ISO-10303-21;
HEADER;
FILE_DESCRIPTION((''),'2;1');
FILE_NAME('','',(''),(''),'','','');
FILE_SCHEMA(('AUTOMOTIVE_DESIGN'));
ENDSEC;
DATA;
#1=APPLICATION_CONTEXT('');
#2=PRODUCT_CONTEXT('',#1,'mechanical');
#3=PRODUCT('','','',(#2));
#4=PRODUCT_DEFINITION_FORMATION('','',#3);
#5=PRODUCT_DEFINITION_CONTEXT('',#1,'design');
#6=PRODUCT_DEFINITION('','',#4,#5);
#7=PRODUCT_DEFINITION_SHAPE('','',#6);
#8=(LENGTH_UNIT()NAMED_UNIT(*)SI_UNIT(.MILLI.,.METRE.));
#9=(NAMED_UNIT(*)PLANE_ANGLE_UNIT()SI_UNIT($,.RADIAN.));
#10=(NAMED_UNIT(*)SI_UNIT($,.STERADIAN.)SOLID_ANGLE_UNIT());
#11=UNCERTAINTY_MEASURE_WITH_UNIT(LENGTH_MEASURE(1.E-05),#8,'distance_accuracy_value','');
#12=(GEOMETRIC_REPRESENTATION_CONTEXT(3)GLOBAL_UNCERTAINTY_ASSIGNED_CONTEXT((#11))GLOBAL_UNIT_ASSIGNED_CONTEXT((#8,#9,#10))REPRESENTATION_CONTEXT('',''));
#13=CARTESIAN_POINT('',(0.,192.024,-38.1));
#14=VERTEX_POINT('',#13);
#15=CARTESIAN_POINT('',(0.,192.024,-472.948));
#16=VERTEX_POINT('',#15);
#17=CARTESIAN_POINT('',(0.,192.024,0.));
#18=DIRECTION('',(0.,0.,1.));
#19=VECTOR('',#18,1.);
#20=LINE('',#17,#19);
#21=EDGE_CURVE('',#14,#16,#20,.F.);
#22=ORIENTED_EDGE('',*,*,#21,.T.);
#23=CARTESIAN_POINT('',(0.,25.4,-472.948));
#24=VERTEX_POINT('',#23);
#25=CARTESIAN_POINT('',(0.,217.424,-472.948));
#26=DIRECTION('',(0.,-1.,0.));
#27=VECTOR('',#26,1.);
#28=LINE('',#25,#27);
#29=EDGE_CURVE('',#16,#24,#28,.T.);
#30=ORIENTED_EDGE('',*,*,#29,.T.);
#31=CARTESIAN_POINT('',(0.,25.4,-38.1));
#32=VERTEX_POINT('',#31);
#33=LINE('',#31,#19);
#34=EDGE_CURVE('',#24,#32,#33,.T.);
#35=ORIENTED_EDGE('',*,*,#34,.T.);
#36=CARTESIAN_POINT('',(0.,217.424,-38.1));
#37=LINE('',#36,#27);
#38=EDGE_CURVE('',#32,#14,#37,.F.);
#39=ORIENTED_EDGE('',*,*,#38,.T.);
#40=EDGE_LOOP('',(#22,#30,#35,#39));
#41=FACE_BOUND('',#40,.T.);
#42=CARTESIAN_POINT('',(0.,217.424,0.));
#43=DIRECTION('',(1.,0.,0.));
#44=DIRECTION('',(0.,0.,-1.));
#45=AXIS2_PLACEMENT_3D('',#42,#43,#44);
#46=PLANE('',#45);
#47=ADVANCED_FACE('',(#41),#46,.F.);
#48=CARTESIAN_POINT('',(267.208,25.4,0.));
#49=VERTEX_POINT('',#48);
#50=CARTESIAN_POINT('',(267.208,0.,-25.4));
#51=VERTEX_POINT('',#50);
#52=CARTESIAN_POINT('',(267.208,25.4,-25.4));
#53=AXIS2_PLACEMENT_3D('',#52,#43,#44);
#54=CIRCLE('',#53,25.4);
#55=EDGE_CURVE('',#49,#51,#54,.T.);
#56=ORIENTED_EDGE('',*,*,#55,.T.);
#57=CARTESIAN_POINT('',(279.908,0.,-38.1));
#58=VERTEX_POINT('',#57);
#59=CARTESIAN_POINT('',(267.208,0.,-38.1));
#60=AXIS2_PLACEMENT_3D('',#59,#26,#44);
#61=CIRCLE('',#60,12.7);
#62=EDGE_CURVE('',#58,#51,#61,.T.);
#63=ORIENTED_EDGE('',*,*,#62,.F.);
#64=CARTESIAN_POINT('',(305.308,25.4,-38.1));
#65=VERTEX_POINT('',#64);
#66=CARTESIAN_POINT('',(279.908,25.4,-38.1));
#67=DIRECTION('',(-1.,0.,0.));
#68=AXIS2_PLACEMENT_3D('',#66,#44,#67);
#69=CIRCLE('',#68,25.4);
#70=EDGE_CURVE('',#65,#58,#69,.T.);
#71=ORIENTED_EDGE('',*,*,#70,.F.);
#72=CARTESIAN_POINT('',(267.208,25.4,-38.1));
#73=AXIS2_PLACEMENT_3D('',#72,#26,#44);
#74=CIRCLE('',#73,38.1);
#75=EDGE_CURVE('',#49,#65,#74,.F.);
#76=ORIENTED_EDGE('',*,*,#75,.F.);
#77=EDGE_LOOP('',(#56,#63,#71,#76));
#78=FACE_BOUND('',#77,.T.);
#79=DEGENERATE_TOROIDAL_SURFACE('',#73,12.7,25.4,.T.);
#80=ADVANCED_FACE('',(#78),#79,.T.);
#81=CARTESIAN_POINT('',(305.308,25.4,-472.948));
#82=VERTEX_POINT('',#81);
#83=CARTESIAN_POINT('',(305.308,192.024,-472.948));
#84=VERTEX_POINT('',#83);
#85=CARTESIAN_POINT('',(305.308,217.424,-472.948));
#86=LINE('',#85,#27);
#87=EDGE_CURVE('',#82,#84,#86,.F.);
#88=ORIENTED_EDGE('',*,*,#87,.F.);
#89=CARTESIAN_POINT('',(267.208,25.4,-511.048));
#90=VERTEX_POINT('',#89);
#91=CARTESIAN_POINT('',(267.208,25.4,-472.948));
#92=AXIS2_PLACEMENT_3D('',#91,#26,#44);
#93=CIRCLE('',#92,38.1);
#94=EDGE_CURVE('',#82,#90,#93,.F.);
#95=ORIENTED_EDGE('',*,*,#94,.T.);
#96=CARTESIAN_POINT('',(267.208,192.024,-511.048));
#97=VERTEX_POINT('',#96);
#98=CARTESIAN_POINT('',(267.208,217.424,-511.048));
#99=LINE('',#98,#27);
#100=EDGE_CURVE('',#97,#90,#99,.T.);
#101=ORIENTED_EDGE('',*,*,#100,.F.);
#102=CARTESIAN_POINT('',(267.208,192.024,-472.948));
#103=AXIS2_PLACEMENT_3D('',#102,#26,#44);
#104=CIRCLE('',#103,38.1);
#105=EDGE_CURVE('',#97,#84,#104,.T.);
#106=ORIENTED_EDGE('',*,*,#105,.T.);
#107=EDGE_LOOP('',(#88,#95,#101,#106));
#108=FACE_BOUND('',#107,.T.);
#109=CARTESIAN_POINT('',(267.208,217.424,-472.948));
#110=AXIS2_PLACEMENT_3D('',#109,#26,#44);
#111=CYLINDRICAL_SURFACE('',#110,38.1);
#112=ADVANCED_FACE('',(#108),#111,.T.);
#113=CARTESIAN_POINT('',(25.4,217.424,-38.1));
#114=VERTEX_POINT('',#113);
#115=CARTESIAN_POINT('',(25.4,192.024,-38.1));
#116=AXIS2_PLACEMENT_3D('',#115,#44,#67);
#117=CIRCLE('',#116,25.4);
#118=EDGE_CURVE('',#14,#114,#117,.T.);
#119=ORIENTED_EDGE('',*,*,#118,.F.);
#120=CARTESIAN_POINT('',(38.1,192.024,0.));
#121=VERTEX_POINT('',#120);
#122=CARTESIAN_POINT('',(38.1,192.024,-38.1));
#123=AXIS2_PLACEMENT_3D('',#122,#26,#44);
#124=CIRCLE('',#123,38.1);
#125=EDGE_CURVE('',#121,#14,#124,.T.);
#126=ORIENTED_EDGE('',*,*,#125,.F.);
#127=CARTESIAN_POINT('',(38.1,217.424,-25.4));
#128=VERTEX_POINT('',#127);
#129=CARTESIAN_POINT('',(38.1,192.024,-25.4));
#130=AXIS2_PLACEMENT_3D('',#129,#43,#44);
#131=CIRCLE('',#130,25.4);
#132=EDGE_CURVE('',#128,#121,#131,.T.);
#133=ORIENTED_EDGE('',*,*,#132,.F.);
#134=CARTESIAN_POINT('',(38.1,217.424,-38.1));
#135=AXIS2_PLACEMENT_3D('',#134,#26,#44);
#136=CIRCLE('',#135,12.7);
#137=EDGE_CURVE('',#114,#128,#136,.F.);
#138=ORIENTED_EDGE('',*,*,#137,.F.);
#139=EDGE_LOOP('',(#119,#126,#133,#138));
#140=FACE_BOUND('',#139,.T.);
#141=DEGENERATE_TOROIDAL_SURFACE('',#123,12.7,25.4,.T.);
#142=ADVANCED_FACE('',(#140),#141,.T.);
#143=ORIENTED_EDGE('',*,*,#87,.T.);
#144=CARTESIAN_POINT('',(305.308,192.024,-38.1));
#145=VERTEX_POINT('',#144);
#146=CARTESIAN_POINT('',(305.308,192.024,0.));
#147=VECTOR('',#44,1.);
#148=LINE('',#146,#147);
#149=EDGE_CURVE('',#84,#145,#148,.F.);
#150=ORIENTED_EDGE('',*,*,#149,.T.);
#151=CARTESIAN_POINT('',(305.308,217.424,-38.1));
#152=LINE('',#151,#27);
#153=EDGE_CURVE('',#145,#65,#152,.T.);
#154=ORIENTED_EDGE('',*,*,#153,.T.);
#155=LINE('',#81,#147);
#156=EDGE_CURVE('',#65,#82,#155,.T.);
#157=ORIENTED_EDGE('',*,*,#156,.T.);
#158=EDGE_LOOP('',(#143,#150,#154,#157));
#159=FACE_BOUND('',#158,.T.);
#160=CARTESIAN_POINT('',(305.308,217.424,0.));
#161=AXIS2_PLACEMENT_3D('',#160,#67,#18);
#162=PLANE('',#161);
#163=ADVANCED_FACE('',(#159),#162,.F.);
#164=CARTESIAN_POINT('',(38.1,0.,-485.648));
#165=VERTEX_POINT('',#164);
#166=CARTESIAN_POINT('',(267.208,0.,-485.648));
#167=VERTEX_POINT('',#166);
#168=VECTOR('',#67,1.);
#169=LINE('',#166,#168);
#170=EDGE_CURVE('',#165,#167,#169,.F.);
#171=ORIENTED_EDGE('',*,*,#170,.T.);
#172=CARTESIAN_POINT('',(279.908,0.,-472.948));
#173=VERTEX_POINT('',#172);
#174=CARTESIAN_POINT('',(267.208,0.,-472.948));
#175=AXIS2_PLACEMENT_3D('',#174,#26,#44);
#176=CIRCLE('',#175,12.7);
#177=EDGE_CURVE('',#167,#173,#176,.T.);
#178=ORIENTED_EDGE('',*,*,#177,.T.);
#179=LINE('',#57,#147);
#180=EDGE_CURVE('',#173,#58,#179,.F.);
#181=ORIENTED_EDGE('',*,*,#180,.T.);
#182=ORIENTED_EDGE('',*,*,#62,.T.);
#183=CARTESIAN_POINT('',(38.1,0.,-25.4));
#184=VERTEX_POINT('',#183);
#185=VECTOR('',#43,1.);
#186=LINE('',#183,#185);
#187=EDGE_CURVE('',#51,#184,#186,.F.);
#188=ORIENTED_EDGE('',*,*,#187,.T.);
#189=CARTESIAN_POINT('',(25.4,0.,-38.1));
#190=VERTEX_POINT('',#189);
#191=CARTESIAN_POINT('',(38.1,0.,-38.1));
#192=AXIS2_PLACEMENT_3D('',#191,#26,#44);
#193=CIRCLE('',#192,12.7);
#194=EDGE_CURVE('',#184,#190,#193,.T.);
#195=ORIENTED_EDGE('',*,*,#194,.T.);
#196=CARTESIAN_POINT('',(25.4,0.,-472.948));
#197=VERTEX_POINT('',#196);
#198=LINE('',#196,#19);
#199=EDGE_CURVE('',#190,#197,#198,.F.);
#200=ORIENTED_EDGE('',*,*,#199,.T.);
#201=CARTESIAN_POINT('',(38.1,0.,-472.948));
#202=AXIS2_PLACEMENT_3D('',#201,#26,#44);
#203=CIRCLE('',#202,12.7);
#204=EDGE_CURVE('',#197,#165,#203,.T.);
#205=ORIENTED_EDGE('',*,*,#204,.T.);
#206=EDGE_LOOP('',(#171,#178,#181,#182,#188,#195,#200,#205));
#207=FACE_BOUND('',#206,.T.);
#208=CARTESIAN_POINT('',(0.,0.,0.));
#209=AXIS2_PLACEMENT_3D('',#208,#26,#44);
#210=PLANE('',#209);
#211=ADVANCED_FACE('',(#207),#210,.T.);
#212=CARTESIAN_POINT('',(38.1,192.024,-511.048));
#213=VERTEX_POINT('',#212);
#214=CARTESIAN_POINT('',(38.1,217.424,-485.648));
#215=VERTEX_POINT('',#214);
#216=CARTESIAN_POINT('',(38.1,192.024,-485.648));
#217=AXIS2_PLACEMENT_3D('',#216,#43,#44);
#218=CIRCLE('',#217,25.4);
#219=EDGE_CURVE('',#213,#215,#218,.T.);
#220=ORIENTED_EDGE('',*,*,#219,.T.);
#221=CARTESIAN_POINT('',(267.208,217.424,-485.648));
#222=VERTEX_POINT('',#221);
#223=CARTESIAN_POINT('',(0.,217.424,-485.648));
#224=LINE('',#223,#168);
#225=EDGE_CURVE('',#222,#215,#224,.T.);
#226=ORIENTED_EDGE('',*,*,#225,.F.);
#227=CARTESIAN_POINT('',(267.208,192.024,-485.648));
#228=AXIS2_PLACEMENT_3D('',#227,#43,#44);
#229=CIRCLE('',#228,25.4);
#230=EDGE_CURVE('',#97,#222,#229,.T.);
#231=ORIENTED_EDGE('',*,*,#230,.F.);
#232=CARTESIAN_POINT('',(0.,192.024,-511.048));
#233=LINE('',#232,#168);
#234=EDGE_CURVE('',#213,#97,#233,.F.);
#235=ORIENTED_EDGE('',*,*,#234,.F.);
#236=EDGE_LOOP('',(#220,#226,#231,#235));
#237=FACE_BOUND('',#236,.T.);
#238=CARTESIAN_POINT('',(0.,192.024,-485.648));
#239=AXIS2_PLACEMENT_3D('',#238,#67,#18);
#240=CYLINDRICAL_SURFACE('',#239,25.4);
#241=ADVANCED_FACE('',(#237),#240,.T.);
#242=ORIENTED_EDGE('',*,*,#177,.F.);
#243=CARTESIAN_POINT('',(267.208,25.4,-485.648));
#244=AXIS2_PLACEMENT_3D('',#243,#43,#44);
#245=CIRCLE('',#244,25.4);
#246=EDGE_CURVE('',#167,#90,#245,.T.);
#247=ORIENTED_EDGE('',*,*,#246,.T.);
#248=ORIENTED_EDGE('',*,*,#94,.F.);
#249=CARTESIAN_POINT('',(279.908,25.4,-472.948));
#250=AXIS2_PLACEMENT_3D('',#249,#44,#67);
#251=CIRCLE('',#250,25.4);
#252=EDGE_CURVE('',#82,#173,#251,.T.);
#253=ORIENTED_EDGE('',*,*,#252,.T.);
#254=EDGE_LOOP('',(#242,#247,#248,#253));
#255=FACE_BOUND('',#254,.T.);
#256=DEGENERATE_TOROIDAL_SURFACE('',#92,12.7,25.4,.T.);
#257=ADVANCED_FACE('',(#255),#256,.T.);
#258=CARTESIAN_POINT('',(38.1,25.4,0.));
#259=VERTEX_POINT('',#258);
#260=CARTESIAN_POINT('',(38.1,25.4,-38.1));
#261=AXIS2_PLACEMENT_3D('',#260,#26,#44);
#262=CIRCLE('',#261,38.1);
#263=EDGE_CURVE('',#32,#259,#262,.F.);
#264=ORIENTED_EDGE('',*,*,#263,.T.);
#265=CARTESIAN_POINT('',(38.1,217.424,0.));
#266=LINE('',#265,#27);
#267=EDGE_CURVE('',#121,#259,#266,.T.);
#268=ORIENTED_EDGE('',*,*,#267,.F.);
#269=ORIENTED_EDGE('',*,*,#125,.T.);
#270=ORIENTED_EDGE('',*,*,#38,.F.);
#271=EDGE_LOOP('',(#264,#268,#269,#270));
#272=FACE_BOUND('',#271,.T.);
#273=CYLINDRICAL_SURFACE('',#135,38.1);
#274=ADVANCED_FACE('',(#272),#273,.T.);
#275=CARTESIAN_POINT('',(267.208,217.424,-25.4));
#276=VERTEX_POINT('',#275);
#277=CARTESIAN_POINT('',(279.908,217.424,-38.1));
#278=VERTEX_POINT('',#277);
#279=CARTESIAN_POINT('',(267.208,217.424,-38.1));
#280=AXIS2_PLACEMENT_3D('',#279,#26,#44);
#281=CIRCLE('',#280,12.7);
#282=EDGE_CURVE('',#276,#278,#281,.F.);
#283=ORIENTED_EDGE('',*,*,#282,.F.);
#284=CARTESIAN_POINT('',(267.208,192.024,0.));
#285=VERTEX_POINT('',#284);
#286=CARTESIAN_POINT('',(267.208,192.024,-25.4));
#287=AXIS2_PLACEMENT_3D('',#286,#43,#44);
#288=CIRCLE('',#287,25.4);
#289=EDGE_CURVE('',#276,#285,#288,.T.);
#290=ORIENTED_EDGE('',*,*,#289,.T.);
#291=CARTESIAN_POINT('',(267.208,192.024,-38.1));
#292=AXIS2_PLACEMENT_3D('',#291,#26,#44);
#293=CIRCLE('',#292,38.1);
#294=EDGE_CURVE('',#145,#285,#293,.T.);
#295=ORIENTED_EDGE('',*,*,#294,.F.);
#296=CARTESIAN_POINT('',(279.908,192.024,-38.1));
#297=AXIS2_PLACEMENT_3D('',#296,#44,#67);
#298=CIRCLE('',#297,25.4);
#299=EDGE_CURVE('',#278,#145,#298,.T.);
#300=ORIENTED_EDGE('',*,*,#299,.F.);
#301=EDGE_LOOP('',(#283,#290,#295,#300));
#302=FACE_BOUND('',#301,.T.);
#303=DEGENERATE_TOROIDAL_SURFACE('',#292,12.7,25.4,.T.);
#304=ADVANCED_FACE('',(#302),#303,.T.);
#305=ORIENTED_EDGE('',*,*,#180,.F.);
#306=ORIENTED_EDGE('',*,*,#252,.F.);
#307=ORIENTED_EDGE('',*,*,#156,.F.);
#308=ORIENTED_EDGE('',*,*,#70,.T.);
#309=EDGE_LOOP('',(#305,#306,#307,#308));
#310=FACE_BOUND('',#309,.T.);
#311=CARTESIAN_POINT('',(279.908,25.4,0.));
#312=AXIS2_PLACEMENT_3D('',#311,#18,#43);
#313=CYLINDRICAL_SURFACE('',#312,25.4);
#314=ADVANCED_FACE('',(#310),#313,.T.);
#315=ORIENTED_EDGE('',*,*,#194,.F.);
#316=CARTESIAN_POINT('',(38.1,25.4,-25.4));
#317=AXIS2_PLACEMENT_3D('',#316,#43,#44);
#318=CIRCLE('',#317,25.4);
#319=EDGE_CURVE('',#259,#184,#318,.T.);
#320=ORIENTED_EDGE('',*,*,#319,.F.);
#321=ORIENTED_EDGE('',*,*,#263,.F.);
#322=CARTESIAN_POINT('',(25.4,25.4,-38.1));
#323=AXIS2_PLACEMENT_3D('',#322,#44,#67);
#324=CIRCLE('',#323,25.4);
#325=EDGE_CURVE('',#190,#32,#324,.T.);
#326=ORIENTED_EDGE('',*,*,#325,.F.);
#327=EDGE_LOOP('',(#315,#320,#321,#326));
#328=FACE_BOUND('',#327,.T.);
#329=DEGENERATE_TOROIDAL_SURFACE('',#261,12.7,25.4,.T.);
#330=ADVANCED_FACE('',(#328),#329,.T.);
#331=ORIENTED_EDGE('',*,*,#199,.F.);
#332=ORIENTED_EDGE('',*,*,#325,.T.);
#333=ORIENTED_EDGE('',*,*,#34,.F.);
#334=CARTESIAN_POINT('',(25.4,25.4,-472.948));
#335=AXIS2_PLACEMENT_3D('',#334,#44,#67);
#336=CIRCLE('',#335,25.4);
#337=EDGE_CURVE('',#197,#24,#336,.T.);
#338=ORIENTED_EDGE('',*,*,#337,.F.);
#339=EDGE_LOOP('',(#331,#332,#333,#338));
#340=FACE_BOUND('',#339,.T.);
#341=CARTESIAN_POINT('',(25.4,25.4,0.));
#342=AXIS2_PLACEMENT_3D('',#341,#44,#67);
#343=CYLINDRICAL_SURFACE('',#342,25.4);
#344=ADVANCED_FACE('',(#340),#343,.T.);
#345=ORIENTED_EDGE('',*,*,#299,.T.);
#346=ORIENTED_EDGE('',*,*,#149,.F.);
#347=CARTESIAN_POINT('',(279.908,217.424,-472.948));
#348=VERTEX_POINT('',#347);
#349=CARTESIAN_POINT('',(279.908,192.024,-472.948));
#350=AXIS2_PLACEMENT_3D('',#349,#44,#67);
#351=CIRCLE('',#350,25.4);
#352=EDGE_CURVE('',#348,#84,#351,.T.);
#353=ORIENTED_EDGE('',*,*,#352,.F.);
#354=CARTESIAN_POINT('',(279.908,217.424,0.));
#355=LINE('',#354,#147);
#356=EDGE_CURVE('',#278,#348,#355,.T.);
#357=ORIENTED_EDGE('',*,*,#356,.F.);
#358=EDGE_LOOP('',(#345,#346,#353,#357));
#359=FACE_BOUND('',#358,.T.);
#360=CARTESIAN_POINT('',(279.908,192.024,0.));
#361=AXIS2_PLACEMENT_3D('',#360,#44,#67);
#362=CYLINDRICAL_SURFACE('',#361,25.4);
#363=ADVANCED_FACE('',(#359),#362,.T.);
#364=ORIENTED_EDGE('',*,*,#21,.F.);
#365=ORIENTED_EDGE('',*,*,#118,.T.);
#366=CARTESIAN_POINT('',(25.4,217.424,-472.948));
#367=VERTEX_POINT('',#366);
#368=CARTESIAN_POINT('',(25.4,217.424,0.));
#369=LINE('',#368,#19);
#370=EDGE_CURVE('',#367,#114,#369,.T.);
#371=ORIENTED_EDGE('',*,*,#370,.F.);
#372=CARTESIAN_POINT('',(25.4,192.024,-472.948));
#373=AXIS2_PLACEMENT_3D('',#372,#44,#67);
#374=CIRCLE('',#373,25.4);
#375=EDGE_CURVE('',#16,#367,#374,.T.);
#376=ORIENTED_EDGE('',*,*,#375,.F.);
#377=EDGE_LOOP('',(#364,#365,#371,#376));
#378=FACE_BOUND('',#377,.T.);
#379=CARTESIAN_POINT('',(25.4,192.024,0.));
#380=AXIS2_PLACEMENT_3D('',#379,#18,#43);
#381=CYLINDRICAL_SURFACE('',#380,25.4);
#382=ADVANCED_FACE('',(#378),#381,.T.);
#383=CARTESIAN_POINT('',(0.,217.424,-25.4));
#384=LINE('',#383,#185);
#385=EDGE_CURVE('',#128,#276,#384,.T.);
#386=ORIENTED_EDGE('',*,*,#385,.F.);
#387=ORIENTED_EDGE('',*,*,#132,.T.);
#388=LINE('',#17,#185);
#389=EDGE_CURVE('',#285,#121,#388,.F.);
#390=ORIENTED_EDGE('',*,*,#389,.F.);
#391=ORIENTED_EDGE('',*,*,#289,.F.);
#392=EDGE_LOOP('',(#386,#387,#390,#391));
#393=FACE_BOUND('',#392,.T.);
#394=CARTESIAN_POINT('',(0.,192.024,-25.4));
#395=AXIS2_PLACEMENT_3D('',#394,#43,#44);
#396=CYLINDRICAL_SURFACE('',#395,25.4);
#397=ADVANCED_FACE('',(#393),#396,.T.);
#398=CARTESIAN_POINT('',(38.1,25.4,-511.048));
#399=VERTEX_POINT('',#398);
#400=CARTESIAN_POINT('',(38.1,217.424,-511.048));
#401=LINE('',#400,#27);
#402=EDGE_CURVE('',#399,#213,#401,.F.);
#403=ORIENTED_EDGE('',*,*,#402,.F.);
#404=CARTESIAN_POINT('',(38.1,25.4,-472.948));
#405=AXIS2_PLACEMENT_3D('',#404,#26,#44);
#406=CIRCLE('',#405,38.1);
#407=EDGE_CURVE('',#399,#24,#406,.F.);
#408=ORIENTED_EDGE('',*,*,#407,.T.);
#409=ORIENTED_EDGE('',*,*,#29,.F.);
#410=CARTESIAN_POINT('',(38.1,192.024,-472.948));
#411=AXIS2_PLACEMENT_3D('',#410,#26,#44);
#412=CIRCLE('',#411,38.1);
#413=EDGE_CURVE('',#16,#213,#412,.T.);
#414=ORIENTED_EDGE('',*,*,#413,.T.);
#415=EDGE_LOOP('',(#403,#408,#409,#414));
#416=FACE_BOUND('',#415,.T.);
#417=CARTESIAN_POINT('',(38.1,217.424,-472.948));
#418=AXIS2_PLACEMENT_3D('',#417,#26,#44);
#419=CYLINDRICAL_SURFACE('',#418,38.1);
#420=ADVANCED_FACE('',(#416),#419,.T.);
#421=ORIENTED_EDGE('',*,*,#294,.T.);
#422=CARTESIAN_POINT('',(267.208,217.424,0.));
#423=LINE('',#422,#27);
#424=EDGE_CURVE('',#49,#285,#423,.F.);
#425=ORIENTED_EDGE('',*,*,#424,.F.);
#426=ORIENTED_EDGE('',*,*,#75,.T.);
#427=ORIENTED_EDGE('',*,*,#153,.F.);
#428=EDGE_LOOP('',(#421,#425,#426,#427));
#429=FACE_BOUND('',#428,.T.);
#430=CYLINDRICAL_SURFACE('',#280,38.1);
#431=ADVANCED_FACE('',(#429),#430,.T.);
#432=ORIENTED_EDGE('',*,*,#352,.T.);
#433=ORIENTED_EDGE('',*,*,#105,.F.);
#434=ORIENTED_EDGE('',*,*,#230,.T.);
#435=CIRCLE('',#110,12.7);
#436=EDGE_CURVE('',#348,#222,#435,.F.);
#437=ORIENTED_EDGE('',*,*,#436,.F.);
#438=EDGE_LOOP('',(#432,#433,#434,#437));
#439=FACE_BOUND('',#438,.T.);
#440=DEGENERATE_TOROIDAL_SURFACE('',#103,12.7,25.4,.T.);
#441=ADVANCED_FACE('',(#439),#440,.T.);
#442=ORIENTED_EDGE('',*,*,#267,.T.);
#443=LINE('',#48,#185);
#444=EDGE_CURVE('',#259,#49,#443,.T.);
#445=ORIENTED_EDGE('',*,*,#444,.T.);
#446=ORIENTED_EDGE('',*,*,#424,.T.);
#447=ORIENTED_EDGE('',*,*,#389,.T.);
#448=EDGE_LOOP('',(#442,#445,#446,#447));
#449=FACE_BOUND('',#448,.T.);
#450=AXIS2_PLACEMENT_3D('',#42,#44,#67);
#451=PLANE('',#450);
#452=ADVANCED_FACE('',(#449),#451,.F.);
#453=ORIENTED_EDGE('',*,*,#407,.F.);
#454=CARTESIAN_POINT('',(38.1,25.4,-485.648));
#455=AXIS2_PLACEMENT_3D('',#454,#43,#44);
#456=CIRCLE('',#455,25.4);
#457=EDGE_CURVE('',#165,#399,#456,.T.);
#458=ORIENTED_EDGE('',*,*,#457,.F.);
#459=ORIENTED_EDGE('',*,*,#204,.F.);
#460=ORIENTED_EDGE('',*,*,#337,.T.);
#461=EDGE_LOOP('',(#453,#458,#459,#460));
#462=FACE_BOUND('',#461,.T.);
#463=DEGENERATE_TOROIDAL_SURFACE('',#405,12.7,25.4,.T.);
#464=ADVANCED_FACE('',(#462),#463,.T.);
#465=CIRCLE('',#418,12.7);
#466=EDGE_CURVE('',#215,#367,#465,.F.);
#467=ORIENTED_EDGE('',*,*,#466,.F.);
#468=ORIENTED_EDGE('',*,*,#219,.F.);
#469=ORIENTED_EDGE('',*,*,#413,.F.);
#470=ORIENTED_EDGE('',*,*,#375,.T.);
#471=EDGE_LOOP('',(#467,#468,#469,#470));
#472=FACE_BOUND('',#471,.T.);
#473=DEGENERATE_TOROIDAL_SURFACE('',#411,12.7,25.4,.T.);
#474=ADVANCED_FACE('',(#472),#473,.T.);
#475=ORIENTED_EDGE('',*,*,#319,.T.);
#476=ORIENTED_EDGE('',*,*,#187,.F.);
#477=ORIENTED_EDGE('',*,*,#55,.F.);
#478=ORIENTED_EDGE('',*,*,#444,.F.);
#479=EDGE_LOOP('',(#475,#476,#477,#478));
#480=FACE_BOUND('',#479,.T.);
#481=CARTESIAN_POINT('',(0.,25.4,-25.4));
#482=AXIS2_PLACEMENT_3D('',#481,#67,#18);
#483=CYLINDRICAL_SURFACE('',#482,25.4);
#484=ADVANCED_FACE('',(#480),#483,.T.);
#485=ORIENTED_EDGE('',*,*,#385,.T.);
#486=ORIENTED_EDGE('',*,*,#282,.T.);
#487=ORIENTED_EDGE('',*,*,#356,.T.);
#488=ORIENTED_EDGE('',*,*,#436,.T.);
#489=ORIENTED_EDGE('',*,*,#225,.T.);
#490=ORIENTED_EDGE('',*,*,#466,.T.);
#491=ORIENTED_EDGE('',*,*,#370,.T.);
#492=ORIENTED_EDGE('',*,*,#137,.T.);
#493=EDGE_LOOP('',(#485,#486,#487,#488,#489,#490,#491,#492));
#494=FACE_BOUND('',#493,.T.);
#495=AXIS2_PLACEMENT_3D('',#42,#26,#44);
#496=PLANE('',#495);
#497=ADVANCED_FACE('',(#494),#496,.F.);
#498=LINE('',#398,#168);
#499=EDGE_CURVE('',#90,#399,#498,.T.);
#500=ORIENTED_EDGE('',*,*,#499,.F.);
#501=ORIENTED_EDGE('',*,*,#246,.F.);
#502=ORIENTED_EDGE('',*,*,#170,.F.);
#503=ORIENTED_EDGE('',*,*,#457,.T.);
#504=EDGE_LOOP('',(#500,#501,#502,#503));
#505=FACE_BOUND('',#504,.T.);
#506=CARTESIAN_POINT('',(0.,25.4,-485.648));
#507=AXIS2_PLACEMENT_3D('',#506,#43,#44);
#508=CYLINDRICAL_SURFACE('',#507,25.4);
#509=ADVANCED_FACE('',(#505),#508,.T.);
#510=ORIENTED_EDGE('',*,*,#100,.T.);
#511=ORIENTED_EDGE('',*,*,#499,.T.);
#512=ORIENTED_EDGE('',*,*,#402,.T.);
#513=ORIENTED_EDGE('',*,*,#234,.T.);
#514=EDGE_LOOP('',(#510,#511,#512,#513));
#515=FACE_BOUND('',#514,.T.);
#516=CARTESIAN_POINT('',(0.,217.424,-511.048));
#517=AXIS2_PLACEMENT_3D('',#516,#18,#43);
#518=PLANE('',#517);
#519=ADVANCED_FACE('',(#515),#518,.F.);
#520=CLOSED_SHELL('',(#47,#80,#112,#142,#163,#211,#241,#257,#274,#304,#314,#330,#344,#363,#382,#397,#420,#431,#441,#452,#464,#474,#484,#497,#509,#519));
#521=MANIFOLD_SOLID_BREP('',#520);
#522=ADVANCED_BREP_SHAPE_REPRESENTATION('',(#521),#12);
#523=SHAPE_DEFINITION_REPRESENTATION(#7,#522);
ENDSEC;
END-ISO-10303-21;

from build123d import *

# Parameters (mm, degrees)
SKETCH1_W           = 305.308
SKETCH1_H           = 511.048
BOSS_EXTRUDE1_DEPTH = 217.424
FILLET1_R           = 38.1
FILLET2_R           = 25.4


with BuildPart() as part:
    # Sketch1 → Boss-Extrude1 (new body)
    with BuildSketch(Plane(origin=(0, 0, 0), x_dir=(1, 0, 0), z_dir=(0, 1, 0))):
        with Locations((152.654, 255.524)):
            Rectangle(SKETCH1_W, SKETCH1_H)
    extrude(amount=BOSS_EXTRUDE1_DEPTH)

    # Fillet1
    fillet1_edges = [part.edges().sort_by_distance(p)[0] for p in [
        (0, 108.712, -511.048),
        (305.308, 108.712, -511.048),
        (305.308, 108.712, 0),
        (0, 108.712, 0),
    ]]
    fillet(fillet1_edges, radius=FILLET1_R)

    # Fillet2
    fillet2_edges = [part.edges().sort_by_distance(p)[0] for p in [
        (152.654, 0, -511.048),
        (152.654, 217.424, -511.048),
        (0, 0, -255.524),
        (305.308, 0, -255.524),
        (152.654, 0, 0),
        (11.159231637, 0, -11.159231637),
        (294.148768363, 0, -11.159231637),
        (11.159231637, 0, -499.888768363),
        (294.148768363, 0, -499.888768363),
        (305.308, 217.424, -255.524),
        (0, 217.424, -255.524),
        (152.654, 217.424, 0),
        (11.159231637, 217.424, -11.159231637),
        (294.148768363, 217.424, -11.159231637),
        (11.159231637, 217.424, -499.888768363),
        (294.148768363, 217.424, -499.888768363),
    ]]
    fillet(fillet2_edges, radius=FILLET2_R)


solid = part.part
